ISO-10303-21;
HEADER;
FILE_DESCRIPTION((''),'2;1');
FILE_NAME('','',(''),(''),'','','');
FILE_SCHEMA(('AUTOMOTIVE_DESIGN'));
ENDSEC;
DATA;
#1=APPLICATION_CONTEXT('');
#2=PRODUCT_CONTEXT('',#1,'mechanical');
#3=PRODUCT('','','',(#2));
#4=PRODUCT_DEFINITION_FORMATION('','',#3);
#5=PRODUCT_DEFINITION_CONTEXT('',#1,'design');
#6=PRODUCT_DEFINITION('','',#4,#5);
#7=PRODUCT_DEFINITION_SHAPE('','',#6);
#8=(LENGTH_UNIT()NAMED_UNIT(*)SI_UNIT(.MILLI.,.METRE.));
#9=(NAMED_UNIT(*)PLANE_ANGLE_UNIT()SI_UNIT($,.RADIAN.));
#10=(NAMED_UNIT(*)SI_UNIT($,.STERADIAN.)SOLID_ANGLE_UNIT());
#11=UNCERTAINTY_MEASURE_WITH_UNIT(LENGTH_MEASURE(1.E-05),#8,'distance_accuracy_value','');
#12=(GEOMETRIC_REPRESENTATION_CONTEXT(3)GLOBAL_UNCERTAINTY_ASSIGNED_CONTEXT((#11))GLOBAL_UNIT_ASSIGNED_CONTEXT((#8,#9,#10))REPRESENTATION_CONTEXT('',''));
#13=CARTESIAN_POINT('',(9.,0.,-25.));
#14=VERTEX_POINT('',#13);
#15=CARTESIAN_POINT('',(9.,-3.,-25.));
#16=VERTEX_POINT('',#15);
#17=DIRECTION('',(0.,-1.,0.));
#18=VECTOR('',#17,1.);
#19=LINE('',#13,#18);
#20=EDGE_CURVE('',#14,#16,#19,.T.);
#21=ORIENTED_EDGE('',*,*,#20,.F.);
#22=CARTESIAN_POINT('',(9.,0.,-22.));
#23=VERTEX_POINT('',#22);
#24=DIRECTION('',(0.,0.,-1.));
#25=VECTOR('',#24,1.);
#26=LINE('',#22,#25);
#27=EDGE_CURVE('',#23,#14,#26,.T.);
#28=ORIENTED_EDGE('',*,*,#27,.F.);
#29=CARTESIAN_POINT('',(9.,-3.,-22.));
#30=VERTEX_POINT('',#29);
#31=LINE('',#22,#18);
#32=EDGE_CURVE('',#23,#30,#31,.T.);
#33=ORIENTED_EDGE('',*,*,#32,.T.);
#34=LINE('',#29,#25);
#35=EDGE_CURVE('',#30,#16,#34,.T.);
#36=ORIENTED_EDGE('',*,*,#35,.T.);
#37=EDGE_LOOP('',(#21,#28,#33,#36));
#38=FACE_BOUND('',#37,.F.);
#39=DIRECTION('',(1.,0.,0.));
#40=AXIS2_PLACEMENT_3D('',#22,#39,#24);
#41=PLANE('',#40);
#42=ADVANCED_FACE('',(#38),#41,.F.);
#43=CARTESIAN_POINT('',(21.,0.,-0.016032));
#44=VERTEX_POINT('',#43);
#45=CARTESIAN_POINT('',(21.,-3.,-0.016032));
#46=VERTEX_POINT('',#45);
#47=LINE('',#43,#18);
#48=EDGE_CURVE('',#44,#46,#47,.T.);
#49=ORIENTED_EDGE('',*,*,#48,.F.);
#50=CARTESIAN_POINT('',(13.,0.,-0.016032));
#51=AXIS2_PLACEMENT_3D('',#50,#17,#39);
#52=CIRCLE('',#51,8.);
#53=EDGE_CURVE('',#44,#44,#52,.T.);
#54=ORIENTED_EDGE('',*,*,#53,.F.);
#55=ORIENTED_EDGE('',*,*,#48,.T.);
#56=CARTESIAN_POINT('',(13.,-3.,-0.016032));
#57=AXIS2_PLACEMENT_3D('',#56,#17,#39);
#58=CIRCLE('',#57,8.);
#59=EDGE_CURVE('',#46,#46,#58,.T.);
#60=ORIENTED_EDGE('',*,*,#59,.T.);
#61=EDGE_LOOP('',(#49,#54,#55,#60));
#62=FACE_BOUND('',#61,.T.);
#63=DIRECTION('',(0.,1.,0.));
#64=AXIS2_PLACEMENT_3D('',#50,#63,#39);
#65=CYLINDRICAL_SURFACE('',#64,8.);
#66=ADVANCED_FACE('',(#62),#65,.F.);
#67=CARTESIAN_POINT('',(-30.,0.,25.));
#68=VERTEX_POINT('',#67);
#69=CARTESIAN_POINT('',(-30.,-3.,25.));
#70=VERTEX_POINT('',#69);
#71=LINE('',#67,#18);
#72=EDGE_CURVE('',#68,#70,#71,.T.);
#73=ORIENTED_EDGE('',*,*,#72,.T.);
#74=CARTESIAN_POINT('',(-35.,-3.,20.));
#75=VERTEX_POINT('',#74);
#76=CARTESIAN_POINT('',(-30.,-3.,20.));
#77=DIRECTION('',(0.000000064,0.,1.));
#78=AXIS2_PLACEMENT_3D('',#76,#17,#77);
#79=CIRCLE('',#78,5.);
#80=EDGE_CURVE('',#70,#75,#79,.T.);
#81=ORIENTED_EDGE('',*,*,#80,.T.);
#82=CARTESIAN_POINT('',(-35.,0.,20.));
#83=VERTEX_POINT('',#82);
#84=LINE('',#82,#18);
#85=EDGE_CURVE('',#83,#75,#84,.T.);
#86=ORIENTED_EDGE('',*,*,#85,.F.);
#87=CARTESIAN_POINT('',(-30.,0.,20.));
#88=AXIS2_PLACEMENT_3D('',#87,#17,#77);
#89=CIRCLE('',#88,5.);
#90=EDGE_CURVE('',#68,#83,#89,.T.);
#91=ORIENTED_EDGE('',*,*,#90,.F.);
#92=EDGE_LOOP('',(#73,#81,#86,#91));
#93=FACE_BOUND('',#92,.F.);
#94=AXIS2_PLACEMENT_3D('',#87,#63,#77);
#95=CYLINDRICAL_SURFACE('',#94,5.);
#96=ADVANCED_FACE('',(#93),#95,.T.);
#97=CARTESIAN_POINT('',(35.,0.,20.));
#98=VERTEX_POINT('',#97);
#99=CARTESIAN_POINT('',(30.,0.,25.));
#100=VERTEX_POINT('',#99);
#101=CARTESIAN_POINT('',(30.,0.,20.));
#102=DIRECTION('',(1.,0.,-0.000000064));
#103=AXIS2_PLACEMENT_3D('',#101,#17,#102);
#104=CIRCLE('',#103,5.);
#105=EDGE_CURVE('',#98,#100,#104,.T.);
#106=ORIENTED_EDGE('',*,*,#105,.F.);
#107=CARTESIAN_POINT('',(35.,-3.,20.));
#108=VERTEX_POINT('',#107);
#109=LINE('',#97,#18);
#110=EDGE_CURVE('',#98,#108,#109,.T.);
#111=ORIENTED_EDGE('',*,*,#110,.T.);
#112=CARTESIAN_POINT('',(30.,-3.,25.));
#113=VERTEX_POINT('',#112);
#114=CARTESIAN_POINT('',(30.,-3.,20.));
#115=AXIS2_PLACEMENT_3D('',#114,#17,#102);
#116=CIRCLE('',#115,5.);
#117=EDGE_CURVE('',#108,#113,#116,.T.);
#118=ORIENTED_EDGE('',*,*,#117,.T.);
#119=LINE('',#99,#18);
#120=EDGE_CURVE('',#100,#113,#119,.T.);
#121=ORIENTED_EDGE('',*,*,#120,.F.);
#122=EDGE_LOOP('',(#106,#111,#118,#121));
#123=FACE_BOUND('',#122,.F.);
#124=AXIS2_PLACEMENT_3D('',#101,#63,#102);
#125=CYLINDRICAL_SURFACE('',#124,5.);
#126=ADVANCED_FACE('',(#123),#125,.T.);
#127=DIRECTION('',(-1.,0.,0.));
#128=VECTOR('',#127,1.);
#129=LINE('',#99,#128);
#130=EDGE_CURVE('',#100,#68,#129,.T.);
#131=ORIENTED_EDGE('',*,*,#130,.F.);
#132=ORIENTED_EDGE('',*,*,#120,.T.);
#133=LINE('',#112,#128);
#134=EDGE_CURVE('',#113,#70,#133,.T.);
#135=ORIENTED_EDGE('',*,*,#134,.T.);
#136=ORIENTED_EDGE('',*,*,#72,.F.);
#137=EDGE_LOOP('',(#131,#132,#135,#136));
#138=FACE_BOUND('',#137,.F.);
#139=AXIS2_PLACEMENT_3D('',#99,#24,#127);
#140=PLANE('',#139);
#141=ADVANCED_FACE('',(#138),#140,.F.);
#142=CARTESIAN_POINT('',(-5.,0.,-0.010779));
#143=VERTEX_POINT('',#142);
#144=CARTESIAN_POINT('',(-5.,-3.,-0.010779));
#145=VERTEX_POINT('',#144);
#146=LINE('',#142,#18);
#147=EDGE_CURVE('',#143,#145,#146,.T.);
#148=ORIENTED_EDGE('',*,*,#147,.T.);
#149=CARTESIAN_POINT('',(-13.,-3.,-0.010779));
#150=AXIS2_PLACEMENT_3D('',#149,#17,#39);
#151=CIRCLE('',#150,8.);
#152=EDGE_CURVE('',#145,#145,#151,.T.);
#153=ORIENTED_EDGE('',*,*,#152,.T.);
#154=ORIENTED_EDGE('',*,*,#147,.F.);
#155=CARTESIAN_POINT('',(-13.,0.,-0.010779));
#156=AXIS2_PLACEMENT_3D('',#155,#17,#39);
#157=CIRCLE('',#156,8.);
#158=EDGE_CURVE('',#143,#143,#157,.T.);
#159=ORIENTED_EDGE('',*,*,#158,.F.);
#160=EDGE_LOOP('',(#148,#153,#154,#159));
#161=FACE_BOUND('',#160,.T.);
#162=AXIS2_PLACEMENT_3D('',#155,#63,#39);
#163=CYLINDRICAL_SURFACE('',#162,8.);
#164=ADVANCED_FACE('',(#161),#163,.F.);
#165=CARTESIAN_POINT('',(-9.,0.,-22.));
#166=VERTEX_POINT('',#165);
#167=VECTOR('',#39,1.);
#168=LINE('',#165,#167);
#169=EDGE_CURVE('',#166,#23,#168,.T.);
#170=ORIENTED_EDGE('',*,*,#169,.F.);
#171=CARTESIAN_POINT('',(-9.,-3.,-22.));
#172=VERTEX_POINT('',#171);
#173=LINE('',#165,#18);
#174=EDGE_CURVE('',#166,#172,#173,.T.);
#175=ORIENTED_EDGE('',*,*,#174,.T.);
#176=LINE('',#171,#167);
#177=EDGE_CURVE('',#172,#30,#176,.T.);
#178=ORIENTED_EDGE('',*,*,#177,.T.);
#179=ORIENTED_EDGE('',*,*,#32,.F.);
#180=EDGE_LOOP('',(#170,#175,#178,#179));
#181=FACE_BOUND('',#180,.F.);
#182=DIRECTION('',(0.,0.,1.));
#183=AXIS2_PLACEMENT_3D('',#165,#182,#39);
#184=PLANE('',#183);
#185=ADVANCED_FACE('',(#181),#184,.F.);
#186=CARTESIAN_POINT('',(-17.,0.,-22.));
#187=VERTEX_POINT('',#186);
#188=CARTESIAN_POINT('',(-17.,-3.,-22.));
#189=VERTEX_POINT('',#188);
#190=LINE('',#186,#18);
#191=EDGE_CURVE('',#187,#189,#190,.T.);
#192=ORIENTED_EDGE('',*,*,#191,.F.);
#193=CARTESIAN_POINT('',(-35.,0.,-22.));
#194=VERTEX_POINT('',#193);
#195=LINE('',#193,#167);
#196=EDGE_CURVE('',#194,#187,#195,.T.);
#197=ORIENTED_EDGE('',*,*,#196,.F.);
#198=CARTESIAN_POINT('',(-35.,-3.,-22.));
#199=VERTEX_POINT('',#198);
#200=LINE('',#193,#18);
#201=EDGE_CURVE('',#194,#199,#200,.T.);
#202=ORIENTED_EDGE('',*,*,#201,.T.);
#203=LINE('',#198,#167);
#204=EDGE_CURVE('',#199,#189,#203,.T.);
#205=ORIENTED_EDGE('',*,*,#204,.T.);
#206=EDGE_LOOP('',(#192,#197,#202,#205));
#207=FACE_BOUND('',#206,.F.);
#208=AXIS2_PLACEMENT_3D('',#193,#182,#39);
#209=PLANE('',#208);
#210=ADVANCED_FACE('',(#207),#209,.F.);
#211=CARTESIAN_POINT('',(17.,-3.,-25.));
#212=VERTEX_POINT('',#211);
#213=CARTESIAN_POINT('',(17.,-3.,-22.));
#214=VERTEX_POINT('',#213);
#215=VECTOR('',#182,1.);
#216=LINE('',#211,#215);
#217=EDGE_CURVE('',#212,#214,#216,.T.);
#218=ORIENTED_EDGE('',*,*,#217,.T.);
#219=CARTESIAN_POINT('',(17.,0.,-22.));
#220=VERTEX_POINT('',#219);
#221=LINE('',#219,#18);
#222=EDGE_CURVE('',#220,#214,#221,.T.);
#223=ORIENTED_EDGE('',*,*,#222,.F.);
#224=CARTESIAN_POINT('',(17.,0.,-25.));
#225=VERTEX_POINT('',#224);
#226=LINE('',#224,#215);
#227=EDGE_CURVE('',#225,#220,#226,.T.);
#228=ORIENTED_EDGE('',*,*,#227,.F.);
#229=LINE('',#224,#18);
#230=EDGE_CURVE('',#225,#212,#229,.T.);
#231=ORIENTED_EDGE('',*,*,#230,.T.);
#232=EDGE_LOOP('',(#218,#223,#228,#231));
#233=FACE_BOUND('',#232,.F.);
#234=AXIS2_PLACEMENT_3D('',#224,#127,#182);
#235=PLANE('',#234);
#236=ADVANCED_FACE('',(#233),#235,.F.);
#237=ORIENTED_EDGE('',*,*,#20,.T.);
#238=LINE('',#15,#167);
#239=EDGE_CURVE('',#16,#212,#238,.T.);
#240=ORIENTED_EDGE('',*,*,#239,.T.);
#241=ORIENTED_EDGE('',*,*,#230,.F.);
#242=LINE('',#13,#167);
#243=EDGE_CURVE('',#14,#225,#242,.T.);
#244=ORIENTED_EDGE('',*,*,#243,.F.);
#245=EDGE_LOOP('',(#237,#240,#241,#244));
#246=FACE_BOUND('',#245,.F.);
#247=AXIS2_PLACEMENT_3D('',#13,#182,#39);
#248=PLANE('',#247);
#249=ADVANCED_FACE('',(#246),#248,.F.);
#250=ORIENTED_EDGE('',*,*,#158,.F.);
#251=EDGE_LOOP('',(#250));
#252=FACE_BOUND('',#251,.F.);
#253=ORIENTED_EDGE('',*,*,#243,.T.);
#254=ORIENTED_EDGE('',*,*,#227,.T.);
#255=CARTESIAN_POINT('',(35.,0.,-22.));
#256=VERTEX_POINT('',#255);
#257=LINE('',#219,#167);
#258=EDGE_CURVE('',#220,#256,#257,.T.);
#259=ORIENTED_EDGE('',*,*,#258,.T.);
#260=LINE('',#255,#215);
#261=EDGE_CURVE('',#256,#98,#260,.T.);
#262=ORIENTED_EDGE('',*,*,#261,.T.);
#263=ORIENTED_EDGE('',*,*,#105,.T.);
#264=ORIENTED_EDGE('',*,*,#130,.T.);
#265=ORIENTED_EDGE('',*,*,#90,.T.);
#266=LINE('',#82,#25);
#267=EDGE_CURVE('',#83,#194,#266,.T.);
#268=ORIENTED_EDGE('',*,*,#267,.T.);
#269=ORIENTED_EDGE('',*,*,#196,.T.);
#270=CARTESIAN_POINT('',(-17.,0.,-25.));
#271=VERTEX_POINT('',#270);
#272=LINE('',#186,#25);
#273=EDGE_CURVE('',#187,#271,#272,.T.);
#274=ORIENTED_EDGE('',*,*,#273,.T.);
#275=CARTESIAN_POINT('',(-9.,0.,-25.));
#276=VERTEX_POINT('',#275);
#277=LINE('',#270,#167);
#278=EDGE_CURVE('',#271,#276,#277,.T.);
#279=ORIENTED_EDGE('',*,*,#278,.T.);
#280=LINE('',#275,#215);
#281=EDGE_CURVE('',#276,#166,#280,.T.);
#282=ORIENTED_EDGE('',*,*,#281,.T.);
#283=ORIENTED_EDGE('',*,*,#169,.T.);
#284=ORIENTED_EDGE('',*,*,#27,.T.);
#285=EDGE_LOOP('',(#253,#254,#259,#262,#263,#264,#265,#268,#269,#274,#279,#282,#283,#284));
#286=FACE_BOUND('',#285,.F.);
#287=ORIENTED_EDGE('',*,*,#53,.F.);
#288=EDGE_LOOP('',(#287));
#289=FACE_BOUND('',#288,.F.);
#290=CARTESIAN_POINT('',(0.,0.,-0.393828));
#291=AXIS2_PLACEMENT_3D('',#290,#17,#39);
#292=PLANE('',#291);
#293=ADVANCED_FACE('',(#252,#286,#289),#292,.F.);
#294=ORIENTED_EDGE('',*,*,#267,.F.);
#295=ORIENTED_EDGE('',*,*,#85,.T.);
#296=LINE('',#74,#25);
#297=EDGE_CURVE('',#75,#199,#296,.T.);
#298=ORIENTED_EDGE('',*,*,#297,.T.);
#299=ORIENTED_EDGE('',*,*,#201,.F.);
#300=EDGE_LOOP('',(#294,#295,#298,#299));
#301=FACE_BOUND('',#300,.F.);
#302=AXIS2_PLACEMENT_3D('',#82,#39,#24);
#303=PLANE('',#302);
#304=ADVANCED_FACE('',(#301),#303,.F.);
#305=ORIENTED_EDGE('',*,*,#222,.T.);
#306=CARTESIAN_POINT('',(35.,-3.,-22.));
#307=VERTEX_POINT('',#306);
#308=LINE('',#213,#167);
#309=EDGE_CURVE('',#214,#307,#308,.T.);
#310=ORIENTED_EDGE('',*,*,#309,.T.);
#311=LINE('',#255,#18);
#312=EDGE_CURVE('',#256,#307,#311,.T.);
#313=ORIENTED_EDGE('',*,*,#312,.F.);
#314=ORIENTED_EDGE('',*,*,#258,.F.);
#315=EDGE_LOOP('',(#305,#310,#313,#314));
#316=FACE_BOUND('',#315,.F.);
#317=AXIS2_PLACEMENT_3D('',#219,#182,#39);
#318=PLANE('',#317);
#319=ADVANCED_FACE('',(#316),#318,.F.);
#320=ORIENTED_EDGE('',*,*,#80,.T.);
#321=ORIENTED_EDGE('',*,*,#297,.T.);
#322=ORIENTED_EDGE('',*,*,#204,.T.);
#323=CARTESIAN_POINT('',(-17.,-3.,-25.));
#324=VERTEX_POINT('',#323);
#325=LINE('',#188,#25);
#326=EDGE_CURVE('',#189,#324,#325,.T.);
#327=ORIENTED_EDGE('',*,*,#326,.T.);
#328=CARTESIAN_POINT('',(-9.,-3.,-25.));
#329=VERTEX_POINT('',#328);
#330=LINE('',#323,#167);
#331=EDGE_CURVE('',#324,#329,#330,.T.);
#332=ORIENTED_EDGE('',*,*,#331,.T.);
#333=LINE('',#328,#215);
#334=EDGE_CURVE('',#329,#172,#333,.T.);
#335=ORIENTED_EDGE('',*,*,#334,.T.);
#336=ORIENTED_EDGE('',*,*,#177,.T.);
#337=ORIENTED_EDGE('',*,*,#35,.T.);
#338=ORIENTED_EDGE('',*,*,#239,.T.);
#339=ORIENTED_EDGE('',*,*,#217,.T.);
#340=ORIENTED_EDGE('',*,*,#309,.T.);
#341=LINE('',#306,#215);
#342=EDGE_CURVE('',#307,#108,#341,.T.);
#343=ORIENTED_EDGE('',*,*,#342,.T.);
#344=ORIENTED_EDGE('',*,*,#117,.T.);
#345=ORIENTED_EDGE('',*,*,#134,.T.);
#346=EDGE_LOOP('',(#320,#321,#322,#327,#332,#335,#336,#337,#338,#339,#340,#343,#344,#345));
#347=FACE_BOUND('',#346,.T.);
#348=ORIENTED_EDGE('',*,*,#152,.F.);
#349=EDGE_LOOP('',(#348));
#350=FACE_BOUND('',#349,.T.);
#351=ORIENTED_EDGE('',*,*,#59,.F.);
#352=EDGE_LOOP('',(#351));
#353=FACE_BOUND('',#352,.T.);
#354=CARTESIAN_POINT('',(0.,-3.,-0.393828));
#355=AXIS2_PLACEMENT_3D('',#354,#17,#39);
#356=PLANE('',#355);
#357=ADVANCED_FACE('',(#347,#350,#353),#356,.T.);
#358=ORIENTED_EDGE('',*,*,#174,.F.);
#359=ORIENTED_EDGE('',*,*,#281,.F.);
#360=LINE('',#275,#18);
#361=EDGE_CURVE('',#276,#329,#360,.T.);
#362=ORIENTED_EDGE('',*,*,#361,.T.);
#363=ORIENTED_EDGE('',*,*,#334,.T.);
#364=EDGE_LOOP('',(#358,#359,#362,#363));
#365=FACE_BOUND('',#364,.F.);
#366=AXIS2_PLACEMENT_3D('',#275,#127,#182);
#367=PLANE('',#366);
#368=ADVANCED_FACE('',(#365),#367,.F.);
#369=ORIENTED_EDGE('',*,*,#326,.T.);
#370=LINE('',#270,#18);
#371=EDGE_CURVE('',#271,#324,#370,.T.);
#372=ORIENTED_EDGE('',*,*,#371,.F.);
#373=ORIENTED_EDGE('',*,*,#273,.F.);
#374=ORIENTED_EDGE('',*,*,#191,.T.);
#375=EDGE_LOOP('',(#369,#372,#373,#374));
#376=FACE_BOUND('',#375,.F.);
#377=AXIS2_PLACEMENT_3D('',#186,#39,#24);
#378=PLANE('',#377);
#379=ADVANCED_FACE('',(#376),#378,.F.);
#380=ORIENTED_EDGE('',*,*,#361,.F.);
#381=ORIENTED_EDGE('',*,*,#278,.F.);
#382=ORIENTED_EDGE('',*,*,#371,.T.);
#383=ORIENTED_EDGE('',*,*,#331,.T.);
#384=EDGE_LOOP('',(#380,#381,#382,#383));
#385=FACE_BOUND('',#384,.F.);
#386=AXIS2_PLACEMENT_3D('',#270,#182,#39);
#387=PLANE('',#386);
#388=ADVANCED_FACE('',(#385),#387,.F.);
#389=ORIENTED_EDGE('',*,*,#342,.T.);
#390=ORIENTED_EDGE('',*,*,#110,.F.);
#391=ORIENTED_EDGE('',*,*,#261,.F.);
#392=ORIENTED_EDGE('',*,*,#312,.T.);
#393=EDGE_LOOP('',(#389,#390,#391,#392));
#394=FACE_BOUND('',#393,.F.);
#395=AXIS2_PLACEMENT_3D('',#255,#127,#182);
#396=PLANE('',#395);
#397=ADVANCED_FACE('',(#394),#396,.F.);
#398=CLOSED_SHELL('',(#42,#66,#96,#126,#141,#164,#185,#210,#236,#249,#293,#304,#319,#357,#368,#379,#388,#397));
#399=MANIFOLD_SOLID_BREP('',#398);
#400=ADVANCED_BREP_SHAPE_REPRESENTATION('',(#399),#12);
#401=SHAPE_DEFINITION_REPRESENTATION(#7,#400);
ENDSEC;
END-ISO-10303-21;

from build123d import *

# Parameters (mm, degrees)
F0_R     = 8
F1_DEPTH = 3


with BuildPart() as f1:
    # F0 (on Front) → F1 (new body)
    with BuildSketch(Plane.XZ):
        with BuildLine():
            Line((30, 25), (-30, 25))
            ThreePointArc((-30, 25), (-33.535534, 23.535534), (-35, 20))
            Line((-35, 20), (-35, -22))
            Line((-35, -22), (-17, -22))
            Line((-17, -22), (-17, -25))
            Line((-17, -25), (-9, -25))
            Line((-9, -25), (-9, -22))
            Line((-9, -22), (9, -22))
            Line((9, -22), (9, -25))
            Line((9, -25), (17, -25))
            Line((17, -25), (17, -22))
            Line((17, -22), (35, -22))
            Line((35, -22), (35, 20))
            ThreePointArc((35, 20), (33.535534, 23.535534), (30, 25))
        make_face()
        with Locations((-13, -0.010779)):
            Circle(F0_R, mode=Mode.SUBTRACT)
        with Locations((13, -0.016032)):
            Circle(F0_R, mode=Mode.SUBTRACT)
    extrude(amount=F1_DEPTH)


solid = f1.part
